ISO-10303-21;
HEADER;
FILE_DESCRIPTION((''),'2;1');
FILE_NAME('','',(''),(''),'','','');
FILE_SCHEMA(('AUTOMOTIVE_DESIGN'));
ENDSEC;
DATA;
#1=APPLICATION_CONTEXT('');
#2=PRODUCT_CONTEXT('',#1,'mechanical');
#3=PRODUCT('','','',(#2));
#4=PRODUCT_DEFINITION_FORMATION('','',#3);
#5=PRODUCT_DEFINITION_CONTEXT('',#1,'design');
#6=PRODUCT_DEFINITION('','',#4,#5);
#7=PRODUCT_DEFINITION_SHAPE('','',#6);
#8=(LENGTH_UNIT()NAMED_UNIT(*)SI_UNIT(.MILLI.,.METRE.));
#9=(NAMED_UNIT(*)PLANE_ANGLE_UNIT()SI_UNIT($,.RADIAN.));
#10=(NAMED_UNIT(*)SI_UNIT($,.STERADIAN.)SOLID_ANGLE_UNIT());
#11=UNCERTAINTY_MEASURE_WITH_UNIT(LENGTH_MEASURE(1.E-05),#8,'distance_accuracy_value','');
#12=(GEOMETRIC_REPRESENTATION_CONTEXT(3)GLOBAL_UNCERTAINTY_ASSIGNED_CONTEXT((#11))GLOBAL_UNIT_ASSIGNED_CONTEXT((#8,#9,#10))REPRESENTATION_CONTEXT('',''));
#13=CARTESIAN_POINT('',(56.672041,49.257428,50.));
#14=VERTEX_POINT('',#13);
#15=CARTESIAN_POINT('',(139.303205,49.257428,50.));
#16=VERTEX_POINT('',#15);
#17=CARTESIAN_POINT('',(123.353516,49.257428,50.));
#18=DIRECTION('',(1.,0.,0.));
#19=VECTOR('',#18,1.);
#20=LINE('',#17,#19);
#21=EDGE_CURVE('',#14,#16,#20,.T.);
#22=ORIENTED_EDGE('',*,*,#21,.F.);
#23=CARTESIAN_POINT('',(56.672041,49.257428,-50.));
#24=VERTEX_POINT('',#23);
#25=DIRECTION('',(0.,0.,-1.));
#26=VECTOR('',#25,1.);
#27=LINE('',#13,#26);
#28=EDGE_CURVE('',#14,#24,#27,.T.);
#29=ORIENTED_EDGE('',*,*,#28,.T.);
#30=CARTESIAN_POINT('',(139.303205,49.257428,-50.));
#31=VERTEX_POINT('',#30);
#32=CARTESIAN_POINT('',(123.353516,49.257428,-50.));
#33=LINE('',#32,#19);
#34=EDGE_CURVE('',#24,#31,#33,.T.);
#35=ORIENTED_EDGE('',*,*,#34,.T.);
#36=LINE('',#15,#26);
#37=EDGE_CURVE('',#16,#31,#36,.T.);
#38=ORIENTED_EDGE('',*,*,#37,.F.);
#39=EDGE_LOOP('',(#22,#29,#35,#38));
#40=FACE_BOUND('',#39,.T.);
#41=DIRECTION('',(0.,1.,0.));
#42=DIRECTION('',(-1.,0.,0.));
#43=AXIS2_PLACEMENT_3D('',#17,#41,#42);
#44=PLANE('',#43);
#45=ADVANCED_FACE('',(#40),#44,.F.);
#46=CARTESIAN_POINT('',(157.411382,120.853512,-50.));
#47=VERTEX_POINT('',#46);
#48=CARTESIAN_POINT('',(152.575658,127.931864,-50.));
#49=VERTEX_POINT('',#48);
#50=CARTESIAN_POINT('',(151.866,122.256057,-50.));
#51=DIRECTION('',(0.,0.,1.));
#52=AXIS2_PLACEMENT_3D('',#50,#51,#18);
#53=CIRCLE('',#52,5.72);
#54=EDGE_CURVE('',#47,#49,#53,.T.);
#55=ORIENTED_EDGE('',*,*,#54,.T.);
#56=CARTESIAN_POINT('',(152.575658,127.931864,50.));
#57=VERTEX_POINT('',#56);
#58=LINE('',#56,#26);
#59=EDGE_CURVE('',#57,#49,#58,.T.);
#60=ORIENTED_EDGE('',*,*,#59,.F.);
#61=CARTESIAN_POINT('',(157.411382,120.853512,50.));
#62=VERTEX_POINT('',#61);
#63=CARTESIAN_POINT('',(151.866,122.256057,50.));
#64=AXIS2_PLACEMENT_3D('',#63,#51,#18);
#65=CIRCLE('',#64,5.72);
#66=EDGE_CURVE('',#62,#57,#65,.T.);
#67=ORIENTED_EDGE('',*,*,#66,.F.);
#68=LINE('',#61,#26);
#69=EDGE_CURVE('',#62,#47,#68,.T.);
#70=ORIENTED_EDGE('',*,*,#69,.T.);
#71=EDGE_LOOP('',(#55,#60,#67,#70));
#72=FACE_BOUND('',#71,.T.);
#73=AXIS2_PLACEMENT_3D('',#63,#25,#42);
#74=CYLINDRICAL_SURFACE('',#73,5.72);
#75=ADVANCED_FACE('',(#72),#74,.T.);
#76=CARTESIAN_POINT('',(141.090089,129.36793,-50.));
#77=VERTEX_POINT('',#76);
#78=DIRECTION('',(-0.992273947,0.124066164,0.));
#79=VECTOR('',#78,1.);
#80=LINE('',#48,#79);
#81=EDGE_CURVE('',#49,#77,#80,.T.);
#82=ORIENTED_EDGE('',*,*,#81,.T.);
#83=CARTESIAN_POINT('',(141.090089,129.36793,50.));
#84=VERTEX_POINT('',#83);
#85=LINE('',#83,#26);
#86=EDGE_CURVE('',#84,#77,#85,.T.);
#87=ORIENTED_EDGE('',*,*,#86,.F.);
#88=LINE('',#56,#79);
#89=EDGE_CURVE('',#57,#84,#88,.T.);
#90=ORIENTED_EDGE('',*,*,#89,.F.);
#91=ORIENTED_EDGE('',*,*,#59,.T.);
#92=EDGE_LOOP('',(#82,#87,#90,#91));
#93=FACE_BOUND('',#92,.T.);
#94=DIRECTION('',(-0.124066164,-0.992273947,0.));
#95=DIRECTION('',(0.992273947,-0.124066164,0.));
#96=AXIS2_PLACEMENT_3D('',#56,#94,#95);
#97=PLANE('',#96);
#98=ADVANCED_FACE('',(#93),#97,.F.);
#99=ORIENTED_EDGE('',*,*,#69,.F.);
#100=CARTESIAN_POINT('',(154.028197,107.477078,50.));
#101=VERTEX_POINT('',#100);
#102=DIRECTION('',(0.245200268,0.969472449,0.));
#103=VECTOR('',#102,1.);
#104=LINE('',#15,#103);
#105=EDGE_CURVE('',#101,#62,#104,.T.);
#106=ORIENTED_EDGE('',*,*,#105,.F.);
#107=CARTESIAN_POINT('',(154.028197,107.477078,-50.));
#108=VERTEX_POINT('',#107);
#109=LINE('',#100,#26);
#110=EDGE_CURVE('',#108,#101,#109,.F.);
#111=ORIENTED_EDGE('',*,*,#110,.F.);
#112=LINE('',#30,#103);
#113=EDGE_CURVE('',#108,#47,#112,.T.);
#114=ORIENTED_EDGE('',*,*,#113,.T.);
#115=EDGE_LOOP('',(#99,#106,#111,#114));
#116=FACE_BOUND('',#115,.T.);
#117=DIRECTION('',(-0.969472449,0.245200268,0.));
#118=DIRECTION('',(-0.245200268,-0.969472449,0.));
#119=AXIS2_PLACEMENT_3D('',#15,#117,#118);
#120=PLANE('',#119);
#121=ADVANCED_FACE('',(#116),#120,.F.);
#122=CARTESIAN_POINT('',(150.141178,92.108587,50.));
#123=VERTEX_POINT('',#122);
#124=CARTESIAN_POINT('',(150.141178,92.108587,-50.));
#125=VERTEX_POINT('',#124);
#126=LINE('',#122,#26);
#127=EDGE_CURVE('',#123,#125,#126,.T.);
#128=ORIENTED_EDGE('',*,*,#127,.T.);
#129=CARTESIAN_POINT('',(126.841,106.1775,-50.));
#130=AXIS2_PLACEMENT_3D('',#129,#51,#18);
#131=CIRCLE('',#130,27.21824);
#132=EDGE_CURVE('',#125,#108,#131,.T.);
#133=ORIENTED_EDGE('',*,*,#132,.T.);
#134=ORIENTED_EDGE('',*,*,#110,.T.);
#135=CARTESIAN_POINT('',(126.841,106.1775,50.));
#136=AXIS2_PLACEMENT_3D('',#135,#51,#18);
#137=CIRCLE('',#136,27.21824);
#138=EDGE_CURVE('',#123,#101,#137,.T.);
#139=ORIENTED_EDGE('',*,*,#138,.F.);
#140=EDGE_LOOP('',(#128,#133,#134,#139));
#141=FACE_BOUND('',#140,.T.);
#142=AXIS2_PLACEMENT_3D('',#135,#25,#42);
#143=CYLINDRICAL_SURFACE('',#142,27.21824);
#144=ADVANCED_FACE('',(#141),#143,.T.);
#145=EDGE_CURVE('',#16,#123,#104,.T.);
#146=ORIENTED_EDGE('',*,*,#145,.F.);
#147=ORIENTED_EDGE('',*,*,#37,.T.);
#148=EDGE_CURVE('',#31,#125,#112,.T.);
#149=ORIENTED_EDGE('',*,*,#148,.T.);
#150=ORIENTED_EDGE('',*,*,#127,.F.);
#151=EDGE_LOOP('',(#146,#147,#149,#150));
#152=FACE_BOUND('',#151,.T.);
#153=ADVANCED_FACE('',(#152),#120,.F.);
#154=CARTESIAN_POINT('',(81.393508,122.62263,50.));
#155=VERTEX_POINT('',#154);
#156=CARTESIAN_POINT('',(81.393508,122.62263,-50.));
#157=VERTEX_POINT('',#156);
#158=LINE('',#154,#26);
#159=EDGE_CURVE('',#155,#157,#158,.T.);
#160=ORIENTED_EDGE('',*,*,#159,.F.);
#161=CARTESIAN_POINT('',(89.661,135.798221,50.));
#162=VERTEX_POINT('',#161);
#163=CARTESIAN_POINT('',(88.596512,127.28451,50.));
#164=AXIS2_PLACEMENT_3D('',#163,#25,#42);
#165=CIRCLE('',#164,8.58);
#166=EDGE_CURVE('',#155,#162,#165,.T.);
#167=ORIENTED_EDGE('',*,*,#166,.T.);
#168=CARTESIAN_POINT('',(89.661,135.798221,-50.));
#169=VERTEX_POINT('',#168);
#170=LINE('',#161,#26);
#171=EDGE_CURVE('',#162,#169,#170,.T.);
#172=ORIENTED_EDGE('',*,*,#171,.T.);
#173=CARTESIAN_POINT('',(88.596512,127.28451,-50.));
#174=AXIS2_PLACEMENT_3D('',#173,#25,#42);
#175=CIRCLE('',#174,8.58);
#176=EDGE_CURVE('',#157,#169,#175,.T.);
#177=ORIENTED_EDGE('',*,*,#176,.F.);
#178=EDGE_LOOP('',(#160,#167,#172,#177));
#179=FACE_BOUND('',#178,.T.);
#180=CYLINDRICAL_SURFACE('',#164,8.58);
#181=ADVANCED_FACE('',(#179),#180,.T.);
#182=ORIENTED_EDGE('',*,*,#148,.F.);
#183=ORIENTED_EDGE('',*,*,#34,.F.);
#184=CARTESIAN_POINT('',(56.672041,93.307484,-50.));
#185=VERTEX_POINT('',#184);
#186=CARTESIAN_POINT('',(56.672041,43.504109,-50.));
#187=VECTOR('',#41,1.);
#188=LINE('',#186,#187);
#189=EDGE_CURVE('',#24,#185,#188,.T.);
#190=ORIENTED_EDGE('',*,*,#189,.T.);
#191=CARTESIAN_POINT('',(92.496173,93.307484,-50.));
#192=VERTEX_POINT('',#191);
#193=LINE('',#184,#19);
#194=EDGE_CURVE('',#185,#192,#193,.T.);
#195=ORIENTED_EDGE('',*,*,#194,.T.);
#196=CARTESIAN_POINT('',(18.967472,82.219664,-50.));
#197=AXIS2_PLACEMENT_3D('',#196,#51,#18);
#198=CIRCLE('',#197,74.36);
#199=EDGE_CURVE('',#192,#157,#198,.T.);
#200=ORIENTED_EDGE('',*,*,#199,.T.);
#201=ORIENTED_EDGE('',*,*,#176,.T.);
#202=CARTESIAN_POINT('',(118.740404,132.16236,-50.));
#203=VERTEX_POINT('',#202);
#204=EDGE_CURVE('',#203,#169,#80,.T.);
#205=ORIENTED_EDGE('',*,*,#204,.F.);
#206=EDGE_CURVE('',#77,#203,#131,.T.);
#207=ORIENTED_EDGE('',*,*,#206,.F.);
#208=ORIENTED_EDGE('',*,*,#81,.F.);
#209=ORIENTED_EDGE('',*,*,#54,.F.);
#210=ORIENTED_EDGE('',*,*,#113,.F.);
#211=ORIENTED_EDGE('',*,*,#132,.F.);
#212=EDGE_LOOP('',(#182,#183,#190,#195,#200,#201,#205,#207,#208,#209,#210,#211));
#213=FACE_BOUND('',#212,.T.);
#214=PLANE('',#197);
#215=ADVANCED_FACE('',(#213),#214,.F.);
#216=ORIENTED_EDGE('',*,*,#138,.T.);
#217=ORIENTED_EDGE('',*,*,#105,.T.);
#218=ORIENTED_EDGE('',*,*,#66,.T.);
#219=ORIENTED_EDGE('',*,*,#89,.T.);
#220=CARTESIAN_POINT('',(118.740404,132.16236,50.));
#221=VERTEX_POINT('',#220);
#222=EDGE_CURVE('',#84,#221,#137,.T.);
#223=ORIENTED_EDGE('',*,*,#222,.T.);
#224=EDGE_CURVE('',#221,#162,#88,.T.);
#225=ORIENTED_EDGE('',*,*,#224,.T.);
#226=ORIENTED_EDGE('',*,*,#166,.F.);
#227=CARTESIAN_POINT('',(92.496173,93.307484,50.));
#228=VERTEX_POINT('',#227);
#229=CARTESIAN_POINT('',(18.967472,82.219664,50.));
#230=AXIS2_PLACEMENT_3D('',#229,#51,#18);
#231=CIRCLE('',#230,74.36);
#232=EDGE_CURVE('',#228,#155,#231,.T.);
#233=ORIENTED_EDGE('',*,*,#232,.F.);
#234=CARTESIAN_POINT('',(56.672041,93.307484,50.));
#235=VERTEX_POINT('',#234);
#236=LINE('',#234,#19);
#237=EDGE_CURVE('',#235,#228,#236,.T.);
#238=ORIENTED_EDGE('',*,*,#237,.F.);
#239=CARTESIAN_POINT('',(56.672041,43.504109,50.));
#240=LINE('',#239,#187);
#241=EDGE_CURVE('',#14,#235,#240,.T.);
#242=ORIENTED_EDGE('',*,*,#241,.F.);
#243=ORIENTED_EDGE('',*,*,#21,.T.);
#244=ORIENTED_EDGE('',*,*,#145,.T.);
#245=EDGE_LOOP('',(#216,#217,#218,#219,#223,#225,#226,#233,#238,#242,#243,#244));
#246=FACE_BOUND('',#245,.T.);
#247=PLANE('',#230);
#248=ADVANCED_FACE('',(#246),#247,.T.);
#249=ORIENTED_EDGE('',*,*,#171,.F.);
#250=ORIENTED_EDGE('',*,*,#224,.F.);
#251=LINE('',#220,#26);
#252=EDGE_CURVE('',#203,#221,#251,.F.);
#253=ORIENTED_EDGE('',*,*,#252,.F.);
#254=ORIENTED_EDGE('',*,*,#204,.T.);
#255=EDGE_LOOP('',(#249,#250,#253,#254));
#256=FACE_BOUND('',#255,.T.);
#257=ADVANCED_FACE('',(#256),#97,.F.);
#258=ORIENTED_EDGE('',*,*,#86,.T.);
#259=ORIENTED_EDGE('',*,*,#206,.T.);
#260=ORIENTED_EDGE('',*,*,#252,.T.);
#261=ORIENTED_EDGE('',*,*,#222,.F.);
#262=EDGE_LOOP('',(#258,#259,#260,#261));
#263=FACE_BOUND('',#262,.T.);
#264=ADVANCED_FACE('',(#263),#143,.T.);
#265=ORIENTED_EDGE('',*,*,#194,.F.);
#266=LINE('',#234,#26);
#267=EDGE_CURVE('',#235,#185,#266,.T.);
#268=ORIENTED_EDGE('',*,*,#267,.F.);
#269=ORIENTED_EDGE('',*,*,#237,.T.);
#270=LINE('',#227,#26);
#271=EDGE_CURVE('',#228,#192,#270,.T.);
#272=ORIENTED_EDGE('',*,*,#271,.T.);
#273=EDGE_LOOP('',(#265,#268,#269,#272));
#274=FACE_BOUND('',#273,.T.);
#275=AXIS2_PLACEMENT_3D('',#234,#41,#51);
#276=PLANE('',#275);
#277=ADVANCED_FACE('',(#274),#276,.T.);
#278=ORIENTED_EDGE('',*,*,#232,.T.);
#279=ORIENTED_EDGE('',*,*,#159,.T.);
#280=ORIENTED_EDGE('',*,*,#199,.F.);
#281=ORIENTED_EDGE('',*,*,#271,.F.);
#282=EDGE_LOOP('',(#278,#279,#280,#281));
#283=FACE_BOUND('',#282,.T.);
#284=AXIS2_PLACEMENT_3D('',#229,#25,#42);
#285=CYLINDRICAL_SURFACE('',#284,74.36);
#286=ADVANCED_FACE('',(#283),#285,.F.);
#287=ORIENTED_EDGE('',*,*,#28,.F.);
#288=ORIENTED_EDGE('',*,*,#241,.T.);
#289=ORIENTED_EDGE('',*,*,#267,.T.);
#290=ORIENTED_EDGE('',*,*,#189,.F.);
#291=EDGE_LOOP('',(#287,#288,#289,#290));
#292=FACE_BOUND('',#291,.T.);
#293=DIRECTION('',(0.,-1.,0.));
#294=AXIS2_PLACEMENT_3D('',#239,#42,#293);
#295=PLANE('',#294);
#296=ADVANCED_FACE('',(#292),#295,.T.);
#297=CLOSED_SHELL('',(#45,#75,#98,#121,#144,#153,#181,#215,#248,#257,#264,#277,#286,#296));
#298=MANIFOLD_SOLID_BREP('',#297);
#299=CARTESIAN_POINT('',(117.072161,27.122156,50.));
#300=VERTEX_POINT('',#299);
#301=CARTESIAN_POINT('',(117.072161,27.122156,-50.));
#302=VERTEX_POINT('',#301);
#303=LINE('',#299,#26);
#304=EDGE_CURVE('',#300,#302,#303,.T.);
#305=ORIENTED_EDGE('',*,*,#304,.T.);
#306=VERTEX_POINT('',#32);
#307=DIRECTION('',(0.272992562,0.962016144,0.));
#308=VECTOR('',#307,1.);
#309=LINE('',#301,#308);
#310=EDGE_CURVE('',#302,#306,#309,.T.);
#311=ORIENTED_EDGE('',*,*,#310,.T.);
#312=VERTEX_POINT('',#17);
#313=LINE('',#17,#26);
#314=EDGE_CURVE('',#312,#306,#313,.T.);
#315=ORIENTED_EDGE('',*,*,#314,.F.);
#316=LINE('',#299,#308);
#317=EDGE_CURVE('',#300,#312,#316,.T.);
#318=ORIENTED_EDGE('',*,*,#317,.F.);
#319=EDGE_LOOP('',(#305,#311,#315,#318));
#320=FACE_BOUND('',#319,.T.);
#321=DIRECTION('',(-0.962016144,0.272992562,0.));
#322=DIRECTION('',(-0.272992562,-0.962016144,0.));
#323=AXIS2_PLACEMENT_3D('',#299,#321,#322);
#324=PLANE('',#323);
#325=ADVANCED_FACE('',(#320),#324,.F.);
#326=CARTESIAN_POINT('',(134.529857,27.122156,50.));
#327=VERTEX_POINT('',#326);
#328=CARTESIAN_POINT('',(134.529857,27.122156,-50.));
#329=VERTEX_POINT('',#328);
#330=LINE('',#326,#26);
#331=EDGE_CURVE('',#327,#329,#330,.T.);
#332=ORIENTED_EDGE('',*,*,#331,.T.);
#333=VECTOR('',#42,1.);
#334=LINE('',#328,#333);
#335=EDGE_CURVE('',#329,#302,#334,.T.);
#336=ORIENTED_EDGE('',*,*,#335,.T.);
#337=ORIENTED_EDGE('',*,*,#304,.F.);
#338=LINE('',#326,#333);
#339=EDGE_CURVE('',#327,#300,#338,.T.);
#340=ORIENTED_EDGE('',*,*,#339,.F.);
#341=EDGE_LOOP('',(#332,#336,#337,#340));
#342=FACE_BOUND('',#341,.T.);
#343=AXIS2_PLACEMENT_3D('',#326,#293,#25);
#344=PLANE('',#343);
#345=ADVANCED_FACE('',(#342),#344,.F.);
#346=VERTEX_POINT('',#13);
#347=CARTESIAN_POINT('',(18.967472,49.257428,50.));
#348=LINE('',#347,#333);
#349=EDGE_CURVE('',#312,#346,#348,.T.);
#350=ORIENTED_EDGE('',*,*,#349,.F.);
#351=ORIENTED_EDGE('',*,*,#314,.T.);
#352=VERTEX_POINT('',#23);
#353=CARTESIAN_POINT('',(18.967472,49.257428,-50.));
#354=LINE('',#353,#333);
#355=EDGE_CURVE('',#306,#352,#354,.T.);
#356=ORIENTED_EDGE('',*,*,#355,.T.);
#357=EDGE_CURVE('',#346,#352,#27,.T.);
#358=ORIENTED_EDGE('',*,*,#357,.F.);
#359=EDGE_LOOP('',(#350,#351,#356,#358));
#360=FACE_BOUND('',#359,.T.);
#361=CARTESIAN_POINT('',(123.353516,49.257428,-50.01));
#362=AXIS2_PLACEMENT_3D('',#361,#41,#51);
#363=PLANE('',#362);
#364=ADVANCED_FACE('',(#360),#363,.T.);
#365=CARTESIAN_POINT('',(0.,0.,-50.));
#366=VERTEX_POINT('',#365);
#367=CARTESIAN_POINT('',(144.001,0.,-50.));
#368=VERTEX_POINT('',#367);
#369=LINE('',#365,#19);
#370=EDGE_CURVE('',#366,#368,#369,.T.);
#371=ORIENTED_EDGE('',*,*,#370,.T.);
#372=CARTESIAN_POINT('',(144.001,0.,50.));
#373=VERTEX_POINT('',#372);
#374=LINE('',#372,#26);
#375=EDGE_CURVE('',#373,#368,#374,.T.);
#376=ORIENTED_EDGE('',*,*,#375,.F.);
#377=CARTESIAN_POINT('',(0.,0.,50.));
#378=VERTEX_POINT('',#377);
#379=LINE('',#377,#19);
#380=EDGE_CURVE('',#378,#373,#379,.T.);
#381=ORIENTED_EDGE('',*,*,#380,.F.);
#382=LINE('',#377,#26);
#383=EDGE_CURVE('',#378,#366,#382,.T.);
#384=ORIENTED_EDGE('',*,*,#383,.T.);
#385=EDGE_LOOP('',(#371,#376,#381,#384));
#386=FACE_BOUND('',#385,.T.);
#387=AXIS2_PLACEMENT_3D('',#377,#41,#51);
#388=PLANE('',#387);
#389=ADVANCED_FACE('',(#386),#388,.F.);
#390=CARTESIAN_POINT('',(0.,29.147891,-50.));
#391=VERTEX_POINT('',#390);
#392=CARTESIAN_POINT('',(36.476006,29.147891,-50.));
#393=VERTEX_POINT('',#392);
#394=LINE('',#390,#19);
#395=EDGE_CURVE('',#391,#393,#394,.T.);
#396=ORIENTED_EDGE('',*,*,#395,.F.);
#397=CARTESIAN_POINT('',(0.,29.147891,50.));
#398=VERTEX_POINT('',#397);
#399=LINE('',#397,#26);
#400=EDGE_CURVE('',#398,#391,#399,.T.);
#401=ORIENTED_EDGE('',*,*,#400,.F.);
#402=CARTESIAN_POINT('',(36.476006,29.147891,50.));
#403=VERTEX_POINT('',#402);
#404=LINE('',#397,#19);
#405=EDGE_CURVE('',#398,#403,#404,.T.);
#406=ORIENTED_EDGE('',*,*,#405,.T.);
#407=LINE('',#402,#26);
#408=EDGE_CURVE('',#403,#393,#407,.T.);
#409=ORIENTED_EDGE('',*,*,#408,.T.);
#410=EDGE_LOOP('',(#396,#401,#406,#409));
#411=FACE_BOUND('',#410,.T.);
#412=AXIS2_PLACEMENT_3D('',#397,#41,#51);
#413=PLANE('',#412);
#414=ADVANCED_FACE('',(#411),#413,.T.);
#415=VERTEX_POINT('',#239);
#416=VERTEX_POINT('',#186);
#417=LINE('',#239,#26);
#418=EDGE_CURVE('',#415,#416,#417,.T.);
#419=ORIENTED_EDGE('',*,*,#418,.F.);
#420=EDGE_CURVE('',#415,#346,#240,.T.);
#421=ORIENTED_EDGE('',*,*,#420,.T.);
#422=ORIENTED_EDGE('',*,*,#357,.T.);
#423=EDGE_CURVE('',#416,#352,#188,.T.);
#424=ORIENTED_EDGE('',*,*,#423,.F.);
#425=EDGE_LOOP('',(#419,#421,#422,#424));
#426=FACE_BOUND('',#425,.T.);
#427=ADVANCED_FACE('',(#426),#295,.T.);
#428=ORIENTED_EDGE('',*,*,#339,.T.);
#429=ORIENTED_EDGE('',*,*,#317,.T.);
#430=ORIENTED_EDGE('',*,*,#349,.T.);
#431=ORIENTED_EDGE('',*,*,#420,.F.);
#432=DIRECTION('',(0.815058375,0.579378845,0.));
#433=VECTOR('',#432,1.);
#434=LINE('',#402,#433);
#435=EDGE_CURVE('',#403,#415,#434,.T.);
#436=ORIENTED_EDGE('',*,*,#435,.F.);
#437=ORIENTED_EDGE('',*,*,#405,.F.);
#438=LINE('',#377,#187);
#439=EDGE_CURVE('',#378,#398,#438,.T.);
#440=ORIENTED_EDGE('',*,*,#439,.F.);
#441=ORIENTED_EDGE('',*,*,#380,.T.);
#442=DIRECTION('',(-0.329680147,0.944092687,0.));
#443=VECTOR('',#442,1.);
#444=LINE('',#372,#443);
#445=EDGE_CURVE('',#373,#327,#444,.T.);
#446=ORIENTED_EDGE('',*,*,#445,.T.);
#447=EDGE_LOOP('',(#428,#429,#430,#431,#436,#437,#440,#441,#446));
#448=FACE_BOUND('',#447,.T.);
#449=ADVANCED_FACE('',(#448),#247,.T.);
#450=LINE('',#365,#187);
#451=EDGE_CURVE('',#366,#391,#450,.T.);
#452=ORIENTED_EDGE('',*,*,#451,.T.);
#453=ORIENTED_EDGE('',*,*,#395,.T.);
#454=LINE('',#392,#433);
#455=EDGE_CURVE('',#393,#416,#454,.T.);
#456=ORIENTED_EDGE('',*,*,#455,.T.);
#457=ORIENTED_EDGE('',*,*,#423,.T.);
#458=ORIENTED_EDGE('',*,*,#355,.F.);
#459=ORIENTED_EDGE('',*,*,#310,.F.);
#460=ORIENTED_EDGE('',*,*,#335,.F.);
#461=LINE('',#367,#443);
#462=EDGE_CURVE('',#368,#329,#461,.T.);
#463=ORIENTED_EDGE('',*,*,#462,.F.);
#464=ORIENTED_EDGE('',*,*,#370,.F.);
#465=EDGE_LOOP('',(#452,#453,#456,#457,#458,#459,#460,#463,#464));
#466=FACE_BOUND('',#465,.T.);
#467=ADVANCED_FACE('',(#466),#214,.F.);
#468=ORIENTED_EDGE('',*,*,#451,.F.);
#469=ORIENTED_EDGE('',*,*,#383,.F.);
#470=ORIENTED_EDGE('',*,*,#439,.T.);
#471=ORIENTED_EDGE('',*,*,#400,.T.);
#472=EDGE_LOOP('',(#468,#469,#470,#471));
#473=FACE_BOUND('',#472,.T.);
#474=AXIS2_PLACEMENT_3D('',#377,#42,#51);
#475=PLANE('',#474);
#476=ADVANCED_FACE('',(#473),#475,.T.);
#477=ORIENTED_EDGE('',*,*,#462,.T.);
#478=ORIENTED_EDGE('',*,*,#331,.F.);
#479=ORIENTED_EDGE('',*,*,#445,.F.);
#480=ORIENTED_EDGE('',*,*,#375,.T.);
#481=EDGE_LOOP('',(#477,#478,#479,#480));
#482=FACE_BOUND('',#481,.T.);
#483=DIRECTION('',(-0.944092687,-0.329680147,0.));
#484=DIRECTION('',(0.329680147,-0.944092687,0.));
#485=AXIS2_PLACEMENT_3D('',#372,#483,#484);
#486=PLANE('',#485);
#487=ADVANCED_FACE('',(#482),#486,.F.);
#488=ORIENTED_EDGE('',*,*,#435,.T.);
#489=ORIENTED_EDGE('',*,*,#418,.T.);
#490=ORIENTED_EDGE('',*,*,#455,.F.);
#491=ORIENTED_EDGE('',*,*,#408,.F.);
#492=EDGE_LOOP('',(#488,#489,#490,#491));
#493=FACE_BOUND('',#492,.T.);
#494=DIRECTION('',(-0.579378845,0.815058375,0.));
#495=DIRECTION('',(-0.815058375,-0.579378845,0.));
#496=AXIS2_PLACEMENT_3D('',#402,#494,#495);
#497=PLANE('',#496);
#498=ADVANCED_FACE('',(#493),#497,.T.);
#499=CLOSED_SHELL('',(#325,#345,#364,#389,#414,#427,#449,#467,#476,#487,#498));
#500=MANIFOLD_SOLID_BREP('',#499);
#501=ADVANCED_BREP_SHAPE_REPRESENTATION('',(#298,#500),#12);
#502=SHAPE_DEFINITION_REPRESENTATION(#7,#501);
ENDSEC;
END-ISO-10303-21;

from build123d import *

# Parameters (mm, degrees)
SKETCH_1_R                     = 27.218239916
EXTRUDE_1_DEPTH                = 50
SPLIT_BODIES_1_SURFACE_1_BACK  = 231.852
SPLIT_BODIES_1_SURFACE_1_DEPTH = 463.704
SPLIT_BODIES_1_SURFACE_2_BACK  = 231.852
SPLIT_BODIES_1_SURFACE_2_DEPTH = 463.704


with BuildPart() as part:
    # 草图1 → 凸台-拉伸1 (new, symmetric)
    with BuildSketch(Plane.XY):
        with Locations((126.841, 106.1775)):
            Circle(SKETCH_1_R)
        with BuildLine():
            Line((36.476006197, 29.147891414), (56.67204093, 43.504108875))
            Line((56.67204093, 43.504108875), (56.67204093, 93.307484045))
            Line((56.67204093, 93.307484045), (92.496172884, 93.307484045))
            ThreePointArc((92.496172884, 93.307484045), (88.507151815, 108.556758389), (81.393508143, 122.622629526))
            ThreePointArc((81.393508143, 122.622629526), (81.328816917, 131.844883349), (89.661, 135.798220622))
            Line((89.661, 135.798220622), (152.57565846, 127.931864381))
            ThreePointArc((152.57565846, 127.931864381), (156.589044848, 125.482703859), (157.411382406, 120.853511867))
            Line((157.411382406, 120.853511867), (139.303205185, 49.257428232))
            Line((139.303205185, 49.257428232), (123.353516134, 49.257428232))
            Line((123.353516134, 49.257428232), (117.072161438, 27.122156161))
            Line((117.072161438, 27.122156161), (134.529857437, 27.122156161))
            Line((134.529857437, 27.122156161), (144.001, 0))
            Line((144.001, 0), (0, 0))
            Line((0, 0), (0, 29.147891414))
            Line((0, 29.147891414), (36.476006197, 29.147891414))
        make_face()
    extrude(amount=EXTRUDE_1_DEPTH, both=True)


with BuildPart() as body_2:
    # Split Bodies 1: the piece behind the surface
    add(part.part)
    # Split Bodies 1 surface: a surface, the sketch's curves swept straight by 463.704 mm
    with BuildLine(Plane.XY.offset(50).offset(-SPLIT_BODIES_1_SURFACE_1_BACK), mode=Mode.PRIVATE) as split_bodies_1_surface_1_path:
        Line((123.353516134, 49.257428232), (56.67204093, 49.257428232))
    split_bodies_1_surface_1 = Shell.extrude(split_bodies_1_surface_1_path.wire(), (0 * SPLIT_BODIES_1_SURFACE_1_DEPTH, 0 * SPLIT_BODIES_1_SURFACE_1_DEPTH, 1 * SPLIT_BODIES_1_SURFACE_1_DEPTH))
    split(bisect_by=split_bodies_1_surface_1, keep=Keep.BOTTOM)


with BuildPart() as part_1:
    add(part.part)

    # Split Bodies 1: split by a surface, the side it looks to stays
    # Split Bodies 1 surface: a surface, the sketch's curves swept straight by 463.704 mm
    with BuildLine(Plane.XY.offset(50).offset(-SPLIT_BODIES_1_SURFACE_2_BACK), mode=Mode.PRIVATE) as split_bodies_1_surface_2_path:
        Line((123.353516134, 49.257428232), (56.67204093, 49.257428232))
    split_bodies_1_surface_2 = Shell.extrude(split_bodies_1_surface_2_path.wire(), (0 * SPLIT_BODIES_1_SURFACE_2_DEPTH, 0 * SPLIT_BODIES_1_SURFACE_2_DEPTH, 1 * SPLIT_BODIES_1_SURFACE_2_DEPTH))
    split(bisect_by=split_bodies_1_surface_2, keep=Keep.TOP)


solid = Compound([body_2.part, part_1.part])
